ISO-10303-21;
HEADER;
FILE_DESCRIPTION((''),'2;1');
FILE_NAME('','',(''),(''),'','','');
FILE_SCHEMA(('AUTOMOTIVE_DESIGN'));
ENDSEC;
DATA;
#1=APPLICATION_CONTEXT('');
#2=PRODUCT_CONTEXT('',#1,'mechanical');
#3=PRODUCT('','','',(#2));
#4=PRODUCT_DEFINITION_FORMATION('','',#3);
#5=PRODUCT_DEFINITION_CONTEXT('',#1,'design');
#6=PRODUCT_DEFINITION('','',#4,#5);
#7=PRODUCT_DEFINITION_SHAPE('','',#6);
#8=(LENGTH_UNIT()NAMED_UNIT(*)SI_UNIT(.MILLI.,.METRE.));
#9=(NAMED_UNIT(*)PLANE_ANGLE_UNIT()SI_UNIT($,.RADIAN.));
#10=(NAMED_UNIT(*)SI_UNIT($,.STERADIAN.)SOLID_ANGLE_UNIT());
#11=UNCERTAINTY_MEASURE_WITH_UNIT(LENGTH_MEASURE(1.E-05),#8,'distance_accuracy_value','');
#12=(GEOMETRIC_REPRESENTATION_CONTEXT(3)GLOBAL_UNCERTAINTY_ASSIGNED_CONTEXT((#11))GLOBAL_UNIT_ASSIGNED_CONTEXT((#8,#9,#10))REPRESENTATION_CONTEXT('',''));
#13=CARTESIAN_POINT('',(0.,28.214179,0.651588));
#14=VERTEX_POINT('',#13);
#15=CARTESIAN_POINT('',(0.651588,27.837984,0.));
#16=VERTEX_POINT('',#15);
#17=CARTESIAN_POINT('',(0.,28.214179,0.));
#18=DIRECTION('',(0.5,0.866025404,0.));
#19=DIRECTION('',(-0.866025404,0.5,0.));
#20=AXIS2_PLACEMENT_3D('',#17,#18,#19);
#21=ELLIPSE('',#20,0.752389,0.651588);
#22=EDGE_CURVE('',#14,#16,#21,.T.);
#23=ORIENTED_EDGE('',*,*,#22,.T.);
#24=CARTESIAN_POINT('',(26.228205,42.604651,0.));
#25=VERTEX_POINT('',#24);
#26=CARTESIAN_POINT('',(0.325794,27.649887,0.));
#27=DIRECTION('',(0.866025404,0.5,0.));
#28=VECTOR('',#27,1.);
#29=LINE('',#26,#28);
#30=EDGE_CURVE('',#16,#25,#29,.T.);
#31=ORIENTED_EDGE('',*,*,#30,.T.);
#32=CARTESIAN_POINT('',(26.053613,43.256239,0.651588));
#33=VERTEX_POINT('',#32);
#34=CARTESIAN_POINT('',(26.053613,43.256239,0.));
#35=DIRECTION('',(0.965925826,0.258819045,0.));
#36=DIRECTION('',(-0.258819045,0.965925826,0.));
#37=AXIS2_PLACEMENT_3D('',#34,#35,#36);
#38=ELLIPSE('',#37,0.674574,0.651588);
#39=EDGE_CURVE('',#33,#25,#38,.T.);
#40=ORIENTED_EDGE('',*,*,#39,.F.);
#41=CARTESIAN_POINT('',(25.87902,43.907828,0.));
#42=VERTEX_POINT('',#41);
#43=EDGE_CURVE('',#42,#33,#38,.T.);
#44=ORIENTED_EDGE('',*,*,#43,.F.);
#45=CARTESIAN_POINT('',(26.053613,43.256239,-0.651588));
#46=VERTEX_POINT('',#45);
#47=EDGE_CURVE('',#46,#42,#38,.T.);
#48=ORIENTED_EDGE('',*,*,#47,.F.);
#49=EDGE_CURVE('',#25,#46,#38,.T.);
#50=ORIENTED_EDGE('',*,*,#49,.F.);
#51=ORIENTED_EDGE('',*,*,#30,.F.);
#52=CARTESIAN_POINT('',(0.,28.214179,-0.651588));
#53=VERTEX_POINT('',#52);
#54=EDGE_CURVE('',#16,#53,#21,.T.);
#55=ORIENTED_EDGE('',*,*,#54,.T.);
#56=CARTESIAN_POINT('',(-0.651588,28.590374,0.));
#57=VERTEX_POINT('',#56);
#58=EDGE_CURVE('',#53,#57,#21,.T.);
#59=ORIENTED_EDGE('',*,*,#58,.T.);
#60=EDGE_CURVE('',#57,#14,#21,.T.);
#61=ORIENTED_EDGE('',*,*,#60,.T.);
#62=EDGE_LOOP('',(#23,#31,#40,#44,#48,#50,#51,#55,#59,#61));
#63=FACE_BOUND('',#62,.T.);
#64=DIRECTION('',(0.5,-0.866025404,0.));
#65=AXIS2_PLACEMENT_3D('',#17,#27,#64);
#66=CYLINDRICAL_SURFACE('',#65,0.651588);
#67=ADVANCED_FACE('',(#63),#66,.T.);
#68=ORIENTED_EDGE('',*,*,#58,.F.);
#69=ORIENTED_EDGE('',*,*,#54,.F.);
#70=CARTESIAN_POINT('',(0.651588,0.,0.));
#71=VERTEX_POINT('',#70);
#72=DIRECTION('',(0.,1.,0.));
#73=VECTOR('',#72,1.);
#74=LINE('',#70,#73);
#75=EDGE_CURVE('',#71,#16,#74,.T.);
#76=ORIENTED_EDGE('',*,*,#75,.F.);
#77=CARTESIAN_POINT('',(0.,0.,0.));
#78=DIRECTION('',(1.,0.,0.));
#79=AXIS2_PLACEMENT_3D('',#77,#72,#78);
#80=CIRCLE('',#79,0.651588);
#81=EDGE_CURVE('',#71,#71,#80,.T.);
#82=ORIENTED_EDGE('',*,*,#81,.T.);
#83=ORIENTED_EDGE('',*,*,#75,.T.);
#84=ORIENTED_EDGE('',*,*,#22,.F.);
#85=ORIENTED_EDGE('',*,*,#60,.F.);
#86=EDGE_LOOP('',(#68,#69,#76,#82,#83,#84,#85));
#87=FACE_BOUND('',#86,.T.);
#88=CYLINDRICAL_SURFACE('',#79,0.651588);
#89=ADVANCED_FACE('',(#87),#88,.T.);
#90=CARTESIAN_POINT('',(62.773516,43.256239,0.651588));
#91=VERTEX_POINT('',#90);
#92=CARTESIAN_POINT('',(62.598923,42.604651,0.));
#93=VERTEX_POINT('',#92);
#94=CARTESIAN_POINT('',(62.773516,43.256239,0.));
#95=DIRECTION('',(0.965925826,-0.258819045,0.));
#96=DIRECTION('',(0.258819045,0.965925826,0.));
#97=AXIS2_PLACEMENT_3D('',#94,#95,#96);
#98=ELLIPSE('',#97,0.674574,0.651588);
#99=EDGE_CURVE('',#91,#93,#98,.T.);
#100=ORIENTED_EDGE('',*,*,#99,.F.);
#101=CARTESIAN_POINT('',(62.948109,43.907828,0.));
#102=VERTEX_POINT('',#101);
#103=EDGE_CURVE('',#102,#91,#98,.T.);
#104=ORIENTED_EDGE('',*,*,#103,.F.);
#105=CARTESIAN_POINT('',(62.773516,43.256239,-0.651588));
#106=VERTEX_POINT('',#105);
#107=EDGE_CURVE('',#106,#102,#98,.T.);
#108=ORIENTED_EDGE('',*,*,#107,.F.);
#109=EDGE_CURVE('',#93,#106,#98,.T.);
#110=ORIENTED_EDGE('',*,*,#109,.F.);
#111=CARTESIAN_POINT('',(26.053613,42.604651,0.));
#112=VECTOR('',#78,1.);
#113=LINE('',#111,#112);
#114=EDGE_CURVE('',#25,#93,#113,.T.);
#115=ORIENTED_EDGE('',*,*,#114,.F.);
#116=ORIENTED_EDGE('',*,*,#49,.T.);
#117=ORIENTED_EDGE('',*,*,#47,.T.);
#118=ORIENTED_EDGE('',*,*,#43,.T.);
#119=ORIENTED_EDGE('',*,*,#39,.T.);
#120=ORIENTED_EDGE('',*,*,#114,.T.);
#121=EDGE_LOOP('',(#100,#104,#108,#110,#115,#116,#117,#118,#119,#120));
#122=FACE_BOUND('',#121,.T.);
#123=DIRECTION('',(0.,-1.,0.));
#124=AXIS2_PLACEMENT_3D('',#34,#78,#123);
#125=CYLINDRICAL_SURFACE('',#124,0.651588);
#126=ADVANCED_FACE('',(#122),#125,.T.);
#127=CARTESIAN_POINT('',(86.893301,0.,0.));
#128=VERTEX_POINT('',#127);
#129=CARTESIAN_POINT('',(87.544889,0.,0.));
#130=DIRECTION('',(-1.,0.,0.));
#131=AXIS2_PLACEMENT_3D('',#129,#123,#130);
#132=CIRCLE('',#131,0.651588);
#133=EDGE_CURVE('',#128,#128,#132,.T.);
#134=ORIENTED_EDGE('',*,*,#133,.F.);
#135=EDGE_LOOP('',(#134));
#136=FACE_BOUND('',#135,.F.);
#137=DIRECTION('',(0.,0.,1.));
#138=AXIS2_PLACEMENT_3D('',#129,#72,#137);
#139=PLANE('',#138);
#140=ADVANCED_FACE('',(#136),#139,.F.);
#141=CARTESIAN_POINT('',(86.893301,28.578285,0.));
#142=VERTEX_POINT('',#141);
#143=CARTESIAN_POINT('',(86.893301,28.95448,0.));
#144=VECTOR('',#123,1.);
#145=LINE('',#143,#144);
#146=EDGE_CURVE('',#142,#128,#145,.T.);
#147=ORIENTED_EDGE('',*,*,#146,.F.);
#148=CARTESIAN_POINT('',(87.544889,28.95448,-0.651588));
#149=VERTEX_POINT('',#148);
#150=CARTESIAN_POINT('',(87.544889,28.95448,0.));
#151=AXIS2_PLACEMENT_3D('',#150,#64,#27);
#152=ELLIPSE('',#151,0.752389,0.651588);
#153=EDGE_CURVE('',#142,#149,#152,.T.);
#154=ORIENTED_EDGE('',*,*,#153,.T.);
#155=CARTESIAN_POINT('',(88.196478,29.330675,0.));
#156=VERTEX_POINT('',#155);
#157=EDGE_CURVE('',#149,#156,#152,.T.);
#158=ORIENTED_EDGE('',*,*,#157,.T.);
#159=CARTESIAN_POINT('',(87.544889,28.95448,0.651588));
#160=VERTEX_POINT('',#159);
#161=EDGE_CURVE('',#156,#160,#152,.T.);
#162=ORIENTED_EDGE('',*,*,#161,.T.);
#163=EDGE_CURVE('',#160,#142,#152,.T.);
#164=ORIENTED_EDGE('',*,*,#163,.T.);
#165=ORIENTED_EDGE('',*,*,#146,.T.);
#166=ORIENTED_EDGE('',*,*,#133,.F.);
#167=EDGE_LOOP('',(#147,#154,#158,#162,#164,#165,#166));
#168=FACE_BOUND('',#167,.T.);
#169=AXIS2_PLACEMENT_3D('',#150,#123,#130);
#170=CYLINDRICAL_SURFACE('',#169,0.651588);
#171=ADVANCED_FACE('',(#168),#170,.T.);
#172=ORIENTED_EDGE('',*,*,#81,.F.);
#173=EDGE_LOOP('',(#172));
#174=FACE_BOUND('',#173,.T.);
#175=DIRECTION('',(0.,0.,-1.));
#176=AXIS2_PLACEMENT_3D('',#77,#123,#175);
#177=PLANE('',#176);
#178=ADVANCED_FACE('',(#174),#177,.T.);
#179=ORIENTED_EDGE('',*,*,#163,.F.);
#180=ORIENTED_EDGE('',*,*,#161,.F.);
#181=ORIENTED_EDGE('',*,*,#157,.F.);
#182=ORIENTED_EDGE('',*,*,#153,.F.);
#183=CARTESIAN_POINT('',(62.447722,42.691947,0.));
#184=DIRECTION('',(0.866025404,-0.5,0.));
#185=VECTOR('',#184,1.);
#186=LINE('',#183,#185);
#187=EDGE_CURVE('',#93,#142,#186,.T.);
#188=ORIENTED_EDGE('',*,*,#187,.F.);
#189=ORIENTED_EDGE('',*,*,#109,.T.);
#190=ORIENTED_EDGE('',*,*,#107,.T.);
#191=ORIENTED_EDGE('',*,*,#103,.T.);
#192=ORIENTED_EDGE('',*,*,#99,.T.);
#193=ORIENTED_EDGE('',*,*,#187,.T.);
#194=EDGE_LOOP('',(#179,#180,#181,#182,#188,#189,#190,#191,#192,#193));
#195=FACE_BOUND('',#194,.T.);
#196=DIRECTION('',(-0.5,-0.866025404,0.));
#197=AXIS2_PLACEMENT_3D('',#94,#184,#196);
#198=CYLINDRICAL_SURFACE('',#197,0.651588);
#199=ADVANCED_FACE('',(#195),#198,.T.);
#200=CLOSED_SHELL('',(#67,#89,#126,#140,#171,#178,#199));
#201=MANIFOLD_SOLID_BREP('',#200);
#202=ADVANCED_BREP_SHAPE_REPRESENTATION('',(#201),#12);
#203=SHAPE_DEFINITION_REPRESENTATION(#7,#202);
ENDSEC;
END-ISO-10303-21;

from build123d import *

# Parameters (mm, degrees)
F1_R = 0.6515882549


with BuildPart() as f2:
    # F2: sweep along a path in F0
    with BuildLine(Plane.XY) as f2_path:
        Line((0, 0), (0, 28.2141789794))
        Line((0, 28.2141789794), (26.0536126347, 43.2562392474))
        Line((26.0536126347, 43.2562392474), (62.7735159846, 43.2562392474))
        Line((62.7735159846, 43.2562392474), (87.544889414, 28.9544801298))
        Line((87.544889414, 28.9544801298), (87.544889414, 0))
    # F1 (on Front) → F2 (sweep)
    with BuildSketch(Plane.XZ):
        Circle(F1_R)
    sweep(path=f2_path.line, transition=Transition.RIGHT)


solid = f2.part
